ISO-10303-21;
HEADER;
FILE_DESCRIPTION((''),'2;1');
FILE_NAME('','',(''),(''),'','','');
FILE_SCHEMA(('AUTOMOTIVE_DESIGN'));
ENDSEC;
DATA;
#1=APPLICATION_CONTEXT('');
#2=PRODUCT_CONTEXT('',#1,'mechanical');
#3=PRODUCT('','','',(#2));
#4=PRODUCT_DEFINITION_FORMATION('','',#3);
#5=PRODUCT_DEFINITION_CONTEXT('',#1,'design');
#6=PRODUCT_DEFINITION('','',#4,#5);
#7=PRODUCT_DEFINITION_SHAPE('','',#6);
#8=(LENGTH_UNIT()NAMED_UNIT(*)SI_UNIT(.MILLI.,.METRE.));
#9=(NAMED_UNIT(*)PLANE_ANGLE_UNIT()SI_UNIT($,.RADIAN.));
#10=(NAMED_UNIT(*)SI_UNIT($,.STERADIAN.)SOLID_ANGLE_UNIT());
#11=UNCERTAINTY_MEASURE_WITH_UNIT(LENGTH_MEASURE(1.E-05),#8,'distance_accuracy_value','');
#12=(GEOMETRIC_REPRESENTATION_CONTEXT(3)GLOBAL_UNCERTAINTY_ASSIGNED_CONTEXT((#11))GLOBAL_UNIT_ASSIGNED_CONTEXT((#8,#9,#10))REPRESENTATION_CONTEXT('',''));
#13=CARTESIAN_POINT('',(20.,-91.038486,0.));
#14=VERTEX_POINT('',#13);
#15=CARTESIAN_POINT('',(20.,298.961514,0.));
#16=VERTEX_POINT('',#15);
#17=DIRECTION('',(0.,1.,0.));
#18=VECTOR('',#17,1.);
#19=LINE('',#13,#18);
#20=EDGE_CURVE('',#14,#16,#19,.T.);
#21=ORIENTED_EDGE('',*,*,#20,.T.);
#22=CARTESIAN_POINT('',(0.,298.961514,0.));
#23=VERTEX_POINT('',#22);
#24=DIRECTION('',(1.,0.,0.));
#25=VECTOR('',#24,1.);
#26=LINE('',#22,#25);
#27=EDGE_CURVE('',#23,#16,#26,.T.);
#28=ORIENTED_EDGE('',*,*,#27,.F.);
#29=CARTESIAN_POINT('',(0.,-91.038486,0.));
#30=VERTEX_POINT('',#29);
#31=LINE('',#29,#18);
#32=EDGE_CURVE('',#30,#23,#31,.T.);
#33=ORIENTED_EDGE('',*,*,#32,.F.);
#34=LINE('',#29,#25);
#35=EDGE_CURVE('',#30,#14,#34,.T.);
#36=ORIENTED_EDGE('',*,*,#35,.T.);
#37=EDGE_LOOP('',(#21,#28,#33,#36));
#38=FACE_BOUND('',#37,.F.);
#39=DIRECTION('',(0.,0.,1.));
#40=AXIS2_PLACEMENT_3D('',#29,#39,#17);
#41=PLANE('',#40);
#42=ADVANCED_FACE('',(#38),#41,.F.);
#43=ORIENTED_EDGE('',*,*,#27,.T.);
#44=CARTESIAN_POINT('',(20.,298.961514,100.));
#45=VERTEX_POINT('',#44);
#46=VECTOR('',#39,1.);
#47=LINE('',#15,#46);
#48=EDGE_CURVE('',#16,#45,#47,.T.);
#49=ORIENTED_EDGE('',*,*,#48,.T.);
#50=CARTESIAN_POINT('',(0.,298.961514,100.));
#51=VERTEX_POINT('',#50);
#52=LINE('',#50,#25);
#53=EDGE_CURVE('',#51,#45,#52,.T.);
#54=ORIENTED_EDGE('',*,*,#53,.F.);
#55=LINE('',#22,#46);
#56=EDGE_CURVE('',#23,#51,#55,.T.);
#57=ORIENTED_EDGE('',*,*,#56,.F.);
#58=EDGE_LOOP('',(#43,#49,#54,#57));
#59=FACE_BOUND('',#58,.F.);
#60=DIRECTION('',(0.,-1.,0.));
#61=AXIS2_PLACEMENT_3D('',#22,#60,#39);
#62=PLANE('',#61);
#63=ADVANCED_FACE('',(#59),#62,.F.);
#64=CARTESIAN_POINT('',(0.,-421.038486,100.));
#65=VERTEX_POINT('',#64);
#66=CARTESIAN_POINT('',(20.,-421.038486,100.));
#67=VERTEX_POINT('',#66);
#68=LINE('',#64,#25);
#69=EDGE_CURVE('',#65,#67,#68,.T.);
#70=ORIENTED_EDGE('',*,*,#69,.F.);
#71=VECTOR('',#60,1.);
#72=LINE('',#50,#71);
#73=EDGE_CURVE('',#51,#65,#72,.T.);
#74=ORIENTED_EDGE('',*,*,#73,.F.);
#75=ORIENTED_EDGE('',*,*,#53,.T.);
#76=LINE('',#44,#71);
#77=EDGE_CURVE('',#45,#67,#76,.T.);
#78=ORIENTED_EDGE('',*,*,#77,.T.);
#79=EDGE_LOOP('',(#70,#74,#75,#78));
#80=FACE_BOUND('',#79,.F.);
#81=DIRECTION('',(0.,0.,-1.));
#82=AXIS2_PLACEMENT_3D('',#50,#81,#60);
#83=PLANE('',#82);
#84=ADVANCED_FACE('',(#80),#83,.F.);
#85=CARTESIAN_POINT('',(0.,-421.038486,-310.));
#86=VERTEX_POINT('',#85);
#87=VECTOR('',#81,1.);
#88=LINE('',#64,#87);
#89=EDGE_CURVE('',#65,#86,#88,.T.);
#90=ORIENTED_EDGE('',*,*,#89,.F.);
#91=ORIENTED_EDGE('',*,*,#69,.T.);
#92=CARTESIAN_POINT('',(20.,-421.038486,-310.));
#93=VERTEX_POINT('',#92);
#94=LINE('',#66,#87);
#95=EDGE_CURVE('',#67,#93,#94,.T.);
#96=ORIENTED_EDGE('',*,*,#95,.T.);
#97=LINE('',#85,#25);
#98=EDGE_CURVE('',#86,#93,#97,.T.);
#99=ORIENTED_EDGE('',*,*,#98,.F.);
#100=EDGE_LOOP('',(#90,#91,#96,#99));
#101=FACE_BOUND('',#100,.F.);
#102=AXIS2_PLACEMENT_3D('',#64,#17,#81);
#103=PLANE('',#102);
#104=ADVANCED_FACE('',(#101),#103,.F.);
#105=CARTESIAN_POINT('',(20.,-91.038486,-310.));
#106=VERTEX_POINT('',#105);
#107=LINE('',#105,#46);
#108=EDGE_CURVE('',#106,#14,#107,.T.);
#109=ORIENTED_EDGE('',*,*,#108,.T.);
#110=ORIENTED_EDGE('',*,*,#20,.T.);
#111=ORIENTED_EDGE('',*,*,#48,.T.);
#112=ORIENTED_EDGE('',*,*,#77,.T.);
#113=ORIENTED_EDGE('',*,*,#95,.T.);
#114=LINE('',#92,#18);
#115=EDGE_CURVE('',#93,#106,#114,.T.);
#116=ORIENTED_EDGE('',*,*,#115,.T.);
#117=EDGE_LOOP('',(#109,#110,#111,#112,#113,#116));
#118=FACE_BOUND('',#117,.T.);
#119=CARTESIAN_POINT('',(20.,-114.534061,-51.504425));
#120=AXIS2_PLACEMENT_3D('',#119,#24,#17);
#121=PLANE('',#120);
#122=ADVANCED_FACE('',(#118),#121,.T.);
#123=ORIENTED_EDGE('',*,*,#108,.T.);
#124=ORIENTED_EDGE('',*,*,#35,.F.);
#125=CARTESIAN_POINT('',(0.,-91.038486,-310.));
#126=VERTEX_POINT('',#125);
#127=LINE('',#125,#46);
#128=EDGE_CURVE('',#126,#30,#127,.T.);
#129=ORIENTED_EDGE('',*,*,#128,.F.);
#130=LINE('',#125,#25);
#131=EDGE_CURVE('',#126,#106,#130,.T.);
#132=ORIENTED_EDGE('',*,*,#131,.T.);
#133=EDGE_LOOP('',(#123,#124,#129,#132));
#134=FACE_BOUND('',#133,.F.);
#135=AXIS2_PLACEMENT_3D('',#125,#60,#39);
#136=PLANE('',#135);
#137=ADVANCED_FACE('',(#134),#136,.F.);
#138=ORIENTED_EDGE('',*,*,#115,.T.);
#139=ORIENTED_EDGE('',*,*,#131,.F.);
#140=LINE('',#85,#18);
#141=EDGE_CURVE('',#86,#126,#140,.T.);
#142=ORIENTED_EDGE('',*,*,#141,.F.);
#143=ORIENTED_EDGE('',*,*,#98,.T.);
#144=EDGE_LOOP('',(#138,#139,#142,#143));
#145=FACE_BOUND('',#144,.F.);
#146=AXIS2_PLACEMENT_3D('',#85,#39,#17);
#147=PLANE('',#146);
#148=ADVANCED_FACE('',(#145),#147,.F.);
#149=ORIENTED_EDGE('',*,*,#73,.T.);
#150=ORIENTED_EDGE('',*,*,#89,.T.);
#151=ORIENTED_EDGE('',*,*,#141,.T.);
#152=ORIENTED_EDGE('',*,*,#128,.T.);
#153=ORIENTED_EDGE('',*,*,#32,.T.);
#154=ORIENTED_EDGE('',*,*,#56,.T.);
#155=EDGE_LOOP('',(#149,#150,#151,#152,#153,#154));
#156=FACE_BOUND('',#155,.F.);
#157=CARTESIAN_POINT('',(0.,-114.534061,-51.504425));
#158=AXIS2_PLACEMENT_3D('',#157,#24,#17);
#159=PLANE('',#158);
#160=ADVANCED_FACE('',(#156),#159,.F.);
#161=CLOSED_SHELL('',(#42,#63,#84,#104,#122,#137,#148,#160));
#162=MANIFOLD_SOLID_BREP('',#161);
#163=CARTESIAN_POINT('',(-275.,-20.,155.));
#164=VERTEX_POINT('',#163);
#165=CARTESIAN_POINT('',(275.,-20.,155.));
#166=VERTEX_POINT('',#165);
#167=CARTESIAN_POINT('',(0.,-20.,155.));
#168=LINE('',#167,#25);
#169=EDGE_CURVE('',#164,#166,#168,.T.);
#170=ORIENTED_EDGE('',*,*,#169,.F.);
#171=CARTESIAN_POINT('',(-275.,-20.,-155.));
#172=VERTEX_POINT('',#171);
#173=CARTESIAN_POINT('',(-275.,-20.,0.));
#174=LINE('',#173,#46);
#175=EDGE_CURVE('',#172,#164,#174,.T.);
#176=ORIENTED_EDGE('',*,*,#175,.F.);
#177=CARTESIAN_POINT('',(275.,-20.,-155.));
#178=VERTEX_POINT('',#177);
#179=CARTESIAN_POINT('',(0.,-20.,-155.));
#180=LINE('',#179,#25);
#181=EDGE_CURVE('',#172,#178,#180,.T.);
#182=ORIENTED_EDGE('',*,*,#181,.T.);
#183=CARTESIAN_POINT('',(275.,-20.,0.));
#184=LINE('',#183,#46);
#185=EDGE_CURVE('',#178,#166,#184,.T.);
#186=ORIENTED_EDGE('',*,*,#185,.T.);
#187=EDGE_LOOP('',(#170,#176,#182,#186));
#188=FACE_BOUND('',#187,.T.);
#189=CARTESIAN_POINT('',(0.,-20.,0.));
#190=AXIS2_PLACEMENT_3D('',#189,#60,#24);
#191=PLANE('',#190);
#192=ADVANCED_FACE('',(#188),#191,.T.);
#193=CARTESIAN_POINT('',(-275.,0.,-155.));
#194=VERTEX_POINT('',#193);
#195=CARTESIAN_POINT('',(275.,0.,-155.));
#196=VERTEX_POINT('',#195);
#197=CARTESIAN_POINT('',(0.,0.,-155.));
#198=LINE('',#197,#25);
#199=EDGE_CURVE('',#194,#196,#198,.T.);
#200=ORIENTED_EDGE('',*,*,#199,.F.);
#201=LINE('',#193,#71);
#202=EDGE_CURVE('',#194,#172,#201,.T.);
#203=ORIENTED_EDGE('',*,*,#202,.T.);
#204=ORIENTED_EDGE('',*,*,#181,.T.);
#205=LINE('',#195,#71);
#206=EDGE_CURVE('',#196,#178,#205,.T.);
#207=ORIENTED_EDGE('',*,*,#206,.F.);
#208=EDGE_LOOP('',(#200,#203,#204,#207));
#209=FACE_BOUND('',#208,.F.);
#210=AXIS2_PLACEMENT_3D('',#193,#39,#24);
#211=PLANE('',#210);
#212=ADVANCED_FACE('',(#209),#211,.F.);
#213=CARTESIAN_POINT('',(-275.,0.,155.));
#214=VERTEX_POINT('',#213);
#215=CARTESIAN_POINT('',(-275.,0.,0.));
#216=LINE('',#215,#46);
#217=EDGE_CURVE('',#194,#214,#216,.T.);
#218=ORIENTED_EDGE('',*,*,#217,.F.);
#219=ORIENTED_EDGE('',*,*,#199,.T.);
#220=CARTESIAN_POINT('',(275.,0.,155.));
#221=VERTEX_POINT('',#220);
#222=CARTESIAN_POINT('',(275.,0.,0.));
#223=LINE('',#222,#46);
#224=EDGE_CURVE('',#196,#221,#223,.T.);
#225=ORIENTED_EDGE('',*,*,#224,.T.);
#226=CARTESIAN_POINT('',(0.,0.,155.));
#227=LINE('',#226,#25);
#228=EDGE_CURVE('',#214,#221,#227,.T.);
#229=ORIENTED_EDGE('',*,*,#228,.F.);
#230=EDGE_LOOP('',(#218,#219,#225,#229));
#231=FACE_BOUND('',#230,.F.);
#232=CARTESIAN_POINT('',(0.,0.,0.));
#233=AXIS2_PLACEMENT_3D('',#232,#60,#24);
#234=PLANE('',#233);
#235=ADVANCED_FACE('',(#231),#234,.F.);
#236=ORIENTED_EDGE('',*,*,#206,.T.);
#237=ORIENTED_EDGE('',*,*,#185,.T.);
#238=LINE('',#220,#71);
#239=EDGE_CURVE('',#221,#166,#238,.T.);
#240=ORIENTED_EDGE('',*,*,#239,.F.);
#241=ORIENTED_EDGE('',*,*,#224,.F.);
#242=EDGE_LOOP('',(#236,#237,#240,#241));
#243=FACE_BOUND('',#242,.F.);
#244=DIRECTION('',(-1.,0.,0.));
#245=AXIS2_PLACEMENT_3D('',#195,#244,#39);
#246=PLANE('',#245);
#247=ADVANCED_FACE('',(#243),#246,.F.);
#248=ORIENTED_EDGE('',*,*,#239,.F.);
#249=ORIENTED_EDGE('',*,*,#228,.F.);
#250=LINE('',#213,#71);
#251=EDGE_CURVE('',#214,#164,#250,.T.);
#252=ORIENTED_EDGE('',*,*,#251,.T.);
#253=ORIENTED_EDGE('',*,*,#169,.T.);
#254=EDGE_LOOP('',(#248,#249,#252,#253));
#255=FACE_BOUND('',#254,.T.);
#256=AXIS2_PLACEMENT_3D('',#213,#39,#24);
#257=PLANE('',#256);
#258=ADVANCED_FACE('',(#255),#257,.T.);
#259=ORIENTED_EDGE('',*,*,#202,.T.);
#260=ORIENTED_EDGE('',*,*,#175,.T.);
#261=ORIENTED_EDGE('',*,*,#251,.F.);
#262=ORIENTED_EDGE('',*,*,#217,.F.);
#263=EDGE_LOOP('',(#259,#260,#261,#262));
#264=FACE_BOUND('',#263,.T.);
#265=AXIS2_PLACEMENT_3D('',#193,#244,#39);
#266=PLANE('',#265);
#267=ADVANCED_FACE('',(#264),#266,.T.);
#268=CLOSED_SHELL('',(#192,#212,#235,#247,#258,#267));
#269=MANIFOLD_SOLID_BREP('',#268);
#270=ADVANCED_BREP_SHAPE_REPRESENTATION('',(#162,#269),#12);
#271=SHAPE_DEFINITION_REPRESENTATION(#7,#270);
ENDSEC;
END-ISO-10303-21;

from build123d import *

# Parameters (mm, degrees)
F1_DEPTH = 20
F2_W     = 550
F2_H     = 310
F3_DEPTH = 20


with BuildPart() as f1:
    # F0 (on Right) → F1 (new body)
    with BuildSketch(Plane.YZ):
        Polygon((298.961514, 100), (-421.038486, 100), (-421.038486, -310), (-91.038486, -310), (-91.038486, 0), (298.961514, 0), align=None)
    extrude(amount=F1_DEPTH)


with BuildPart() as f3:
    # F2 (on Front) → F3 (new body)
    with BuildSketch(Plane.XZ):
        Rectangle(F2_W, F2_H)
    extrude(amount=F3_DEPTH)


solid = Compound([f1.part, f3.part])
